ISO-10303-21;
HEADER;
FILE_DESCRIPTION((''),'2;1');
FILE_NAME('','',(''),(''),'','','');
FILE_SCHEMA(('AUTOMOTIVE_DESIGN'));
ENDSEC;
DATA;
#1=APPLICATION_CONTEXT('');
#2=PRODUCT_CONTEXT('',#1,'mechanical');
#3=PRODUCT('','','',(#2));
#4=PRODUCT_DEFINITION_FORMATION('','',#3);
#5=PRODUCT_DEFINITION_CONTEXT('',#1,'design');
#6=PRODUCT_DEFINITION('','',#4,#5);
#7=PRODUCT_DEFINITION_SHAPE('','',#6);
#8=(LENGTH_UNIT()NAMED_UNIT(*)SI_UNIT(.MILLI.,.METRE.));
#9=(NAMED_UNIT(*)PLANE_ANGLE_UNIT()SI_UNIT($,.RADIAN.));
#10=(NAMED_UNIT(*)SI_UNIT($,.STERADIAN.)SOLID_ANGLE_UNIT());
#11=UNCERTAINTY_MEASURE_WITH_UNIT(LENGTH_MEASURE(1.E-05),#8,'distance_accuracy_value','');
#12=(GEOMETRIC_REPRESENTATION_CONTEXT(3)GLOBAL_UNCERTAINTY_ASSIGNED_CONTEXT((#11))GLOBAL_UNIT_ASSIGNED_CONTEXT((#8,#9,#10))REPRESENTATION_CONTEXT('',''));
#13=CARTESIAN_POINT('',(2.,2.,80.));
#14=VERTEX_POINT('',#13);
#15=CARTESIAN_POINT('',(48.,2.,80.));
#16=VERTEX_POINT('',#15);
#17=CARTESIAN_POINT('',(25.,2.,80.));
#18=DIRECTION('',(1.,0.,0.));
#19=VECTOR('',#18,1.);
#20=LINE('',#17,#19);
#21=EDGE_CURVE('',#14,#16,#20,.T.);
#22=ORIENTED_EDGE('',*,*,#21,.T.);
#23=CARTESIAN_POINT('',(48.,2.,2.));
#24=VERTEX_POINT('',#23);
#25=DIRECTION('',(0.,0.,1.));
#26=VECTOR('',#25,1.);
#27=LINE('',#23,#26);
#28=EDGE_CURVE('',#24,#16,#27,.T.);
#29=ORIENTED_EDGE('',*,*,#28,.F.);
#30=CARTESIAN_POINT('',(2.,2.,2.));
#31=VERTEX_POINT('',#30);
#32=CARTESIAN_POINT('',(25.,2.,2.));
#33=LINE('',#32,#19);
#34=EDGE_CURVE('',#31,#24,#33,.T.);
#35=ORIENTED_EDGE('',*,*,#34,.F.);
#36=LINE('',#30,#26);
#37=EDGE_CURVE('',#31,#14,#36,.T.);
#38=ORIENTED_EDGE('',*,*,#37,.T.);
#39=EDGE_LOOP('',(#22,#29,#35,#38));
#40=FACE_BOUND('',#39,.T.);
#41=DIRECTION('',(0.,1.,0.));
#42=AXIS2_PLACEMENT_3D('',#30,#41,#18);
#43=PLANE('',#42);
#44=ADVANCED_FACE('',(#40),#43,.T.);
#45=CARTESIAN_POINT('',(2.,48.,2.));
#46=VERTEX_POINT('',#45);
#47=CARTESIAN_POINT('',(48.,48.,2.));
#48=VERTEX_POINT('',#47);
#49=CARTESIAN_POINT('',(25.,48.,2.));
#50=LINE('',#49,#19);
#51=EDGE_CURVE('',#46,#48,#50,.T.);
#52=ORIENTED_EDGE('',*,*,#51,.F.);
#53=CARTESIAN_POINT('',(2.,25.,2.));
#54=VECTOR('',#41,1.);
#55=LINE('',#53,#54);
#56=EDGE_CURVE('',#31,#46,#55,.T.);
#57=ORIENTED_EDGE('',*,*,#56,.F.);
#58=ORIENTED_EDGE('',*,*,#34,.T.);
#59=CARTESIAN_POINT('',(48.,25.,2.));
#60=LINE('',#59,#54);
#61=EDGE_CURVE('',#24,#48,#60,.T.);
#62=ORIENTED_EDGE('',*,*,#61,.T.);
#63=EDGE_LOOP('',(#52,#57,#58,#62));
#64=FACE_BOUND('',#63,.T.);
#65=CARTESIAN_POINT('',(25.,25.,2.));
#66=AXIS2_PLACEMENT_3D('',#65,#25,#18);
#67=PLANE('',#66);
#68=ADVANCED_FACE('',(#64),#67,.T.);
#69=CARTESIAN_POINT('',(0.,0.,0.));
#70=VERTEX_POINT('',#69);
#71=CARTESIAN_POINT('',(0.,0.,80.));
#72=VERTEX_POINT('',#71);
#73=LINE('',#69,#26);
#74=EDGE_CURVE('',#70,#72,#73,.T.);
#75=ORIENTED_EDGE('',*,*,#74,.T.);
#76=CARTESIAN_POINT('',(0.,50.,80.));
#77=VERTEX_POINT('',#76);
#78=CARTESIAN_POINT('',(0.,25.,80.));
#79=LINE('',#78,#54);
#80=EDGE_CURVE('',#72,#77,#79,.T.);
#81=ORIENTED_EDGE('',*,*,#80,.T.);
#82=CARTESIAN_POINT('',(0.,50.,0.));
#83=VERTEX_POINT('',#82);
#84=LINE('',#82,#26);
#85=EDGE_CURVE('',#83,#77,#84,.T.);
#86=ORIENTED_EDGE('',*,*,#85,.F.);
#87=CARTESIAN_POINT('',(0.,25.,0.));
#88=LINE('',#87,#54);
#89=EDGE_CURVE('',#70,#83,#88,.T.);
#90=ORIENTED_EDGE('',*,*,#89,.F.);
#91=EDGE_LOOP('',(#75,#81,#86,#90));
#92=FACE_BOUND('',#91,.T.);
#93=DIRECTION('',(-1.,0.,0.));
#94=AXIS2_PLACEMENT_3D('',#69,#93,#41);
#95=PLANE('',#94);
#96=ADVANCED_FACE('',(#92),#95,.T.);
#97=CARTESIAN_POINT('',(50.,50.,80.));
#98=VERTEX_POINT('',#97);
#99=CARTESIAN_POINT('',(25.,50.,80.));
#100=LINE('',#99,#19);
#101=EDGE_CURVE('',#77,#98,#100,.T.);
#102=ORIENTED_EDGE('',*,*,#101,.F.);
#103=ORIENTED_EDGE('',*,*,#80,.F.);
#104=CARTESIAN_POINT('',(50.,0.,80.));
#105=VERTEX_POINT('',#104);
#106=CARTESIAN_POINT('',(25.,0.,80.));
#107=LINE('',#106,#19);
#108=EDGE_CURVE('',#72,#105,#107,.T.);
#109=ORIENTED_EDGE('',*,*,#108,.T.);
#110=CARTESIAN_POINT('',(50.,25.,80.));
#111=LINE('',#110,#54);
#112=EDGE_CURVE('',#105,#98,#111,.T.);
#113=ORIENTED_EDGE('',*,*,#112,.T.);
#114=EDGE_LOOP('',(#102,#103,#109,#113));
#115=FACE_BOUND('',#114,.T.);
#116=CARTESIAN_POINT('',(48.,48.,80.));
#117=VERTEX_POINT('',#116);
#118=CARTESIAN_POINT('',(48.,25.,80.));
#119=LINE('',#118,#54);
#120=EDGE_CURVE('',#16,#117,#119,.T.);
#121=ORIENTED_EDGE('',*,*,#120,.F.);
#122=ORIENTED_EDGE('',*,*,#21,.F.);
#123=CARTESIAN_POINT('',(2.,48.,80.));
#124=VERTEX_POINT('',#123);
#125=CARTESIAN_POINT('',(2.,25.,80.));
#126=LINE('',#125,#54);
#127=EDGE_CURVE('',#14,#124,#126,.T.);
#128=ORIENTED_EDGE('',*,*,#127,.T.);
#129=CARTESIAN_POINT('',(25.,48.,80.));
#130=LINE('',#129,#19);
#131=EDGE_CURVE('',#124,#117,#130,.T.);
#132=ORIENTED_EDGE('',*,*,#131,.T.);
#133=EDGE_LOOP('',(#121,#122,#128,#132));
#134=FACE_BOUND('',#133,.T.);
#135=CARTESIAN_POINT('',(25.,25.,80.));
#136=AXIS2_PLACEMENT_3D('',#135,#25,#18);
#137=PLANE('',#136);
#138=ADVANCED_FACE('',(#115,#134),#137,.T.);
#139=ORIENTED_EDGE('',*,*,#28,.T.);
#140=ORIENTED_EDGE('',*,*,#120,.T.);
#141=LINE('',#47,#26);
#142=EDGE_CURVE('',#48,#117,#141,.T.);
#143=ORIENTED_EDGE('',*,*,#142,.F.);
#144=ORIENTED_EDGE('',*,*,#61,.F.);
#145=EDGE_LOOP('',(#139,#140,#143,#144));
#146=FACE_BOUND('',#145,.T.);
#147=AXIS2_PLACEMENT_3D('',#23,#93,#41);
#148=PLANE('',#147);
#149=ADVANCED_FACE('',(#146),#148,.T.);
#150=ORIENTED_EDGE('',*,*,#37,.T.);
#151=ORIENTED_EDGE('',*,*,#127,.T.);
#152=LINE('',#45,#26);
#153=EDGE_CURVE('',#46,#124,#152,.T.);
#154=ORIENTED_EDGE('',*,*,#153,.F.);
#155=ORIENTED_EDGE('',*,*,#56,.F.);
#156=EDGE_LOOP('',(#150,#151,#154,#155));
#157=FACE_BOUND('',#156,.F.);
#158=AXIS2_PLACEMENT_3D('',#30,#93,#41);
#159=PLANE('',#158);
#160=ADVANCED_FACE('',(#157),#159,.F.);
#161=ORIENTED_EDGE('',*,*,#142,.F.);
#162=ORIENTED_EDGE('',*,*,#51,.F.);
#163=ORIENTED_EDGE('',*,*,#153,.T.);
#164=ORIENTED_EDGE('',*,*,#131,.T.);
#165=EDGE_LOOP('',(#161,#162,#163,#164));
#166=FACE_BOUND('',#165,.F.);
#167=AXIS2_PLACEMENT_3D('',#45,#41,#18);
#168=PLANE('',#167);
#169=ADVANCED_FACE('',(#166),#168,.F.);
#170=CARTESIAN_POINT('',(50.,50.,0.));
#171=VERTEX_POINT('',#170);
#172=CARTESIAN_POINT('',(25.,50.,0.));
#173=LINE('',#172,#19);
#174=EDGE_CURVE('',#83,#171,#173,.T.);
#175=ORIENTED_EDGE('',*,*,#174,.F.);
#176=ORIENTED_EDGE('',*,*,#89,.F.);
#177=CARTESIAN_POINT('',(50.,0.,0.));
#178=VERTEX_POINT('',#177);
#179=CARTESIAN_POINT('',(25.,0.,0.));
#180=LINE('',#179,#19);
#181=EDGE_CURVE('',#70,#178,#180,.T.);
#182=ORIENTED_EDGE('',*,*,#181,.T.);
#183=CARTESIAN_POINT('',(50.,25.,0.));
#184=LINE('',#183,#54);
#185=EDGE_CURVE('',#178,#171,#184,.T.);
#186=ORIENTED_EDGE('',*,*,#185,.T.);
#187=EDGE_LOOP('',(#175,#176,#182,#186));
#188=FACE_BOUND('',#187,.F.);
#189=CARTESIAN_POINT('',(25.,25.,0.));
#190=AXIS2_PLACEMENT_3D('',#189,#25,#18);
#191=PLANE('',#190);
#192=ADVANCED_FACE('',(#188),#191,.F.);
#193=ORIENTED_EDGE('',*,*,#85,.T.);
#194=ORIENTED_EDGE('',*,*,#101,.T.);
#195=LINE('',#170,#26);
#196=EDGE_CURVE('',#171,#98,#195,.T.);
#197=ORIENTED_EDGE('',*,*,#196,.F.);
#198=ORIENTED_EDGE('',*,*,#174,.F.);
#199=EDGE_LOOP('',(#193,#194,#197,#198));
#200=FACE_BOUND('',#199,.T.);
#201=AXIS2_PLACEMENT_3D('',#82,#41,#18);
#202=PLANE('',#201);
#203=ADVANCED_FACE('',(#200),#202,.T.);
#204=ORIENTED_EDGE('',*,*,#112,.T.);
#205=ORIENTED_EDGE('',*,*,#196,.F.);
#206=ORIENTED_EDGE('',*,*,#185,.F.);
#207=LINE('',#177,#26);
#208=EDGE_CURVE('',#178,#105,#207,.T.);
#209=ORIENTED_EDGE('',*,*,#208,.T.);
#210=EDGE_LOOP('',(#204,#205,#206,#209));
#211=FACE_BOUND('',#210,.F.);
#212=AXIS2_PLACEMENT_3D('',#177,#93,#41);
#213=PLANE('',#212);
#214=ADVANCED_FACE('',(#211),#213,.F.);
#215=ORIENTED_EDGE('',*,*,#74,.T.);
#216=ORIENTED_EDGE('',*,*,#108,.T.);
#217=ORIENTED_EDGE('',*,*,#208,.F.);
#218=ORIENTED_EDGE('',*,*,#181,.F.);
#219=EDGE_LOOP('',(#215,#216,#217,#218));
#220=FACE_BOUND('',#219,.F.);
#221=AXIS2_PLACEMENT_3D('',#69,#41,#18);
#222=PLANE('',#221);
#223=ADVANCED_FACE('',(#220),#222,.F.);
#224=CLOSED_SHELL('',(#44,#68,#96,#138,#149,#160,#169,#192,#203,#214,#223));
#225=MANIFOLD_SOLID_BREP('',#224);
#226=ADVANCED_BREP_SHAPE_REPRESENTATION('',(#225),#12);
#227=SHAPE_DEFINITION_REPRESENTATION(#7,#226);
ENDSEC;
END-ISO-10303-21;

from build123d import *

# Parameters (mm, degrees)
BOX001_W     = 46
BOX001_H     = 46
BOX001_DEPTH = 78
BOX_W        = 50
BOX_H        = 50
BOX_DEPTH    = 80


with BuildPart() as cubo001:
    # Box001 → Box001 (new body)
    with BuildSketch(Plane(origin=(2, 2, 2), x_dir=(1, 0, 0), z_dir=(0, 0, 1))):
        with Locations((23, 23)):
            Rectangle(BOX001_W, BOX001_H)
    extrude(amount=BOX001_DEPTH)


with BuildPart() as cut:
    # Box → Box (new body)
    with BuildSketch(Plane.XY):
        with Locations((25, 25)):
            Rectangle(BOX_W, BOX_H)
    extrude(amount=BOX_DEPTH)

    # Cut: cut Cubo001
    add(cubo001.part, mode=Mode.SUBTRACT)


solid = cut.part
